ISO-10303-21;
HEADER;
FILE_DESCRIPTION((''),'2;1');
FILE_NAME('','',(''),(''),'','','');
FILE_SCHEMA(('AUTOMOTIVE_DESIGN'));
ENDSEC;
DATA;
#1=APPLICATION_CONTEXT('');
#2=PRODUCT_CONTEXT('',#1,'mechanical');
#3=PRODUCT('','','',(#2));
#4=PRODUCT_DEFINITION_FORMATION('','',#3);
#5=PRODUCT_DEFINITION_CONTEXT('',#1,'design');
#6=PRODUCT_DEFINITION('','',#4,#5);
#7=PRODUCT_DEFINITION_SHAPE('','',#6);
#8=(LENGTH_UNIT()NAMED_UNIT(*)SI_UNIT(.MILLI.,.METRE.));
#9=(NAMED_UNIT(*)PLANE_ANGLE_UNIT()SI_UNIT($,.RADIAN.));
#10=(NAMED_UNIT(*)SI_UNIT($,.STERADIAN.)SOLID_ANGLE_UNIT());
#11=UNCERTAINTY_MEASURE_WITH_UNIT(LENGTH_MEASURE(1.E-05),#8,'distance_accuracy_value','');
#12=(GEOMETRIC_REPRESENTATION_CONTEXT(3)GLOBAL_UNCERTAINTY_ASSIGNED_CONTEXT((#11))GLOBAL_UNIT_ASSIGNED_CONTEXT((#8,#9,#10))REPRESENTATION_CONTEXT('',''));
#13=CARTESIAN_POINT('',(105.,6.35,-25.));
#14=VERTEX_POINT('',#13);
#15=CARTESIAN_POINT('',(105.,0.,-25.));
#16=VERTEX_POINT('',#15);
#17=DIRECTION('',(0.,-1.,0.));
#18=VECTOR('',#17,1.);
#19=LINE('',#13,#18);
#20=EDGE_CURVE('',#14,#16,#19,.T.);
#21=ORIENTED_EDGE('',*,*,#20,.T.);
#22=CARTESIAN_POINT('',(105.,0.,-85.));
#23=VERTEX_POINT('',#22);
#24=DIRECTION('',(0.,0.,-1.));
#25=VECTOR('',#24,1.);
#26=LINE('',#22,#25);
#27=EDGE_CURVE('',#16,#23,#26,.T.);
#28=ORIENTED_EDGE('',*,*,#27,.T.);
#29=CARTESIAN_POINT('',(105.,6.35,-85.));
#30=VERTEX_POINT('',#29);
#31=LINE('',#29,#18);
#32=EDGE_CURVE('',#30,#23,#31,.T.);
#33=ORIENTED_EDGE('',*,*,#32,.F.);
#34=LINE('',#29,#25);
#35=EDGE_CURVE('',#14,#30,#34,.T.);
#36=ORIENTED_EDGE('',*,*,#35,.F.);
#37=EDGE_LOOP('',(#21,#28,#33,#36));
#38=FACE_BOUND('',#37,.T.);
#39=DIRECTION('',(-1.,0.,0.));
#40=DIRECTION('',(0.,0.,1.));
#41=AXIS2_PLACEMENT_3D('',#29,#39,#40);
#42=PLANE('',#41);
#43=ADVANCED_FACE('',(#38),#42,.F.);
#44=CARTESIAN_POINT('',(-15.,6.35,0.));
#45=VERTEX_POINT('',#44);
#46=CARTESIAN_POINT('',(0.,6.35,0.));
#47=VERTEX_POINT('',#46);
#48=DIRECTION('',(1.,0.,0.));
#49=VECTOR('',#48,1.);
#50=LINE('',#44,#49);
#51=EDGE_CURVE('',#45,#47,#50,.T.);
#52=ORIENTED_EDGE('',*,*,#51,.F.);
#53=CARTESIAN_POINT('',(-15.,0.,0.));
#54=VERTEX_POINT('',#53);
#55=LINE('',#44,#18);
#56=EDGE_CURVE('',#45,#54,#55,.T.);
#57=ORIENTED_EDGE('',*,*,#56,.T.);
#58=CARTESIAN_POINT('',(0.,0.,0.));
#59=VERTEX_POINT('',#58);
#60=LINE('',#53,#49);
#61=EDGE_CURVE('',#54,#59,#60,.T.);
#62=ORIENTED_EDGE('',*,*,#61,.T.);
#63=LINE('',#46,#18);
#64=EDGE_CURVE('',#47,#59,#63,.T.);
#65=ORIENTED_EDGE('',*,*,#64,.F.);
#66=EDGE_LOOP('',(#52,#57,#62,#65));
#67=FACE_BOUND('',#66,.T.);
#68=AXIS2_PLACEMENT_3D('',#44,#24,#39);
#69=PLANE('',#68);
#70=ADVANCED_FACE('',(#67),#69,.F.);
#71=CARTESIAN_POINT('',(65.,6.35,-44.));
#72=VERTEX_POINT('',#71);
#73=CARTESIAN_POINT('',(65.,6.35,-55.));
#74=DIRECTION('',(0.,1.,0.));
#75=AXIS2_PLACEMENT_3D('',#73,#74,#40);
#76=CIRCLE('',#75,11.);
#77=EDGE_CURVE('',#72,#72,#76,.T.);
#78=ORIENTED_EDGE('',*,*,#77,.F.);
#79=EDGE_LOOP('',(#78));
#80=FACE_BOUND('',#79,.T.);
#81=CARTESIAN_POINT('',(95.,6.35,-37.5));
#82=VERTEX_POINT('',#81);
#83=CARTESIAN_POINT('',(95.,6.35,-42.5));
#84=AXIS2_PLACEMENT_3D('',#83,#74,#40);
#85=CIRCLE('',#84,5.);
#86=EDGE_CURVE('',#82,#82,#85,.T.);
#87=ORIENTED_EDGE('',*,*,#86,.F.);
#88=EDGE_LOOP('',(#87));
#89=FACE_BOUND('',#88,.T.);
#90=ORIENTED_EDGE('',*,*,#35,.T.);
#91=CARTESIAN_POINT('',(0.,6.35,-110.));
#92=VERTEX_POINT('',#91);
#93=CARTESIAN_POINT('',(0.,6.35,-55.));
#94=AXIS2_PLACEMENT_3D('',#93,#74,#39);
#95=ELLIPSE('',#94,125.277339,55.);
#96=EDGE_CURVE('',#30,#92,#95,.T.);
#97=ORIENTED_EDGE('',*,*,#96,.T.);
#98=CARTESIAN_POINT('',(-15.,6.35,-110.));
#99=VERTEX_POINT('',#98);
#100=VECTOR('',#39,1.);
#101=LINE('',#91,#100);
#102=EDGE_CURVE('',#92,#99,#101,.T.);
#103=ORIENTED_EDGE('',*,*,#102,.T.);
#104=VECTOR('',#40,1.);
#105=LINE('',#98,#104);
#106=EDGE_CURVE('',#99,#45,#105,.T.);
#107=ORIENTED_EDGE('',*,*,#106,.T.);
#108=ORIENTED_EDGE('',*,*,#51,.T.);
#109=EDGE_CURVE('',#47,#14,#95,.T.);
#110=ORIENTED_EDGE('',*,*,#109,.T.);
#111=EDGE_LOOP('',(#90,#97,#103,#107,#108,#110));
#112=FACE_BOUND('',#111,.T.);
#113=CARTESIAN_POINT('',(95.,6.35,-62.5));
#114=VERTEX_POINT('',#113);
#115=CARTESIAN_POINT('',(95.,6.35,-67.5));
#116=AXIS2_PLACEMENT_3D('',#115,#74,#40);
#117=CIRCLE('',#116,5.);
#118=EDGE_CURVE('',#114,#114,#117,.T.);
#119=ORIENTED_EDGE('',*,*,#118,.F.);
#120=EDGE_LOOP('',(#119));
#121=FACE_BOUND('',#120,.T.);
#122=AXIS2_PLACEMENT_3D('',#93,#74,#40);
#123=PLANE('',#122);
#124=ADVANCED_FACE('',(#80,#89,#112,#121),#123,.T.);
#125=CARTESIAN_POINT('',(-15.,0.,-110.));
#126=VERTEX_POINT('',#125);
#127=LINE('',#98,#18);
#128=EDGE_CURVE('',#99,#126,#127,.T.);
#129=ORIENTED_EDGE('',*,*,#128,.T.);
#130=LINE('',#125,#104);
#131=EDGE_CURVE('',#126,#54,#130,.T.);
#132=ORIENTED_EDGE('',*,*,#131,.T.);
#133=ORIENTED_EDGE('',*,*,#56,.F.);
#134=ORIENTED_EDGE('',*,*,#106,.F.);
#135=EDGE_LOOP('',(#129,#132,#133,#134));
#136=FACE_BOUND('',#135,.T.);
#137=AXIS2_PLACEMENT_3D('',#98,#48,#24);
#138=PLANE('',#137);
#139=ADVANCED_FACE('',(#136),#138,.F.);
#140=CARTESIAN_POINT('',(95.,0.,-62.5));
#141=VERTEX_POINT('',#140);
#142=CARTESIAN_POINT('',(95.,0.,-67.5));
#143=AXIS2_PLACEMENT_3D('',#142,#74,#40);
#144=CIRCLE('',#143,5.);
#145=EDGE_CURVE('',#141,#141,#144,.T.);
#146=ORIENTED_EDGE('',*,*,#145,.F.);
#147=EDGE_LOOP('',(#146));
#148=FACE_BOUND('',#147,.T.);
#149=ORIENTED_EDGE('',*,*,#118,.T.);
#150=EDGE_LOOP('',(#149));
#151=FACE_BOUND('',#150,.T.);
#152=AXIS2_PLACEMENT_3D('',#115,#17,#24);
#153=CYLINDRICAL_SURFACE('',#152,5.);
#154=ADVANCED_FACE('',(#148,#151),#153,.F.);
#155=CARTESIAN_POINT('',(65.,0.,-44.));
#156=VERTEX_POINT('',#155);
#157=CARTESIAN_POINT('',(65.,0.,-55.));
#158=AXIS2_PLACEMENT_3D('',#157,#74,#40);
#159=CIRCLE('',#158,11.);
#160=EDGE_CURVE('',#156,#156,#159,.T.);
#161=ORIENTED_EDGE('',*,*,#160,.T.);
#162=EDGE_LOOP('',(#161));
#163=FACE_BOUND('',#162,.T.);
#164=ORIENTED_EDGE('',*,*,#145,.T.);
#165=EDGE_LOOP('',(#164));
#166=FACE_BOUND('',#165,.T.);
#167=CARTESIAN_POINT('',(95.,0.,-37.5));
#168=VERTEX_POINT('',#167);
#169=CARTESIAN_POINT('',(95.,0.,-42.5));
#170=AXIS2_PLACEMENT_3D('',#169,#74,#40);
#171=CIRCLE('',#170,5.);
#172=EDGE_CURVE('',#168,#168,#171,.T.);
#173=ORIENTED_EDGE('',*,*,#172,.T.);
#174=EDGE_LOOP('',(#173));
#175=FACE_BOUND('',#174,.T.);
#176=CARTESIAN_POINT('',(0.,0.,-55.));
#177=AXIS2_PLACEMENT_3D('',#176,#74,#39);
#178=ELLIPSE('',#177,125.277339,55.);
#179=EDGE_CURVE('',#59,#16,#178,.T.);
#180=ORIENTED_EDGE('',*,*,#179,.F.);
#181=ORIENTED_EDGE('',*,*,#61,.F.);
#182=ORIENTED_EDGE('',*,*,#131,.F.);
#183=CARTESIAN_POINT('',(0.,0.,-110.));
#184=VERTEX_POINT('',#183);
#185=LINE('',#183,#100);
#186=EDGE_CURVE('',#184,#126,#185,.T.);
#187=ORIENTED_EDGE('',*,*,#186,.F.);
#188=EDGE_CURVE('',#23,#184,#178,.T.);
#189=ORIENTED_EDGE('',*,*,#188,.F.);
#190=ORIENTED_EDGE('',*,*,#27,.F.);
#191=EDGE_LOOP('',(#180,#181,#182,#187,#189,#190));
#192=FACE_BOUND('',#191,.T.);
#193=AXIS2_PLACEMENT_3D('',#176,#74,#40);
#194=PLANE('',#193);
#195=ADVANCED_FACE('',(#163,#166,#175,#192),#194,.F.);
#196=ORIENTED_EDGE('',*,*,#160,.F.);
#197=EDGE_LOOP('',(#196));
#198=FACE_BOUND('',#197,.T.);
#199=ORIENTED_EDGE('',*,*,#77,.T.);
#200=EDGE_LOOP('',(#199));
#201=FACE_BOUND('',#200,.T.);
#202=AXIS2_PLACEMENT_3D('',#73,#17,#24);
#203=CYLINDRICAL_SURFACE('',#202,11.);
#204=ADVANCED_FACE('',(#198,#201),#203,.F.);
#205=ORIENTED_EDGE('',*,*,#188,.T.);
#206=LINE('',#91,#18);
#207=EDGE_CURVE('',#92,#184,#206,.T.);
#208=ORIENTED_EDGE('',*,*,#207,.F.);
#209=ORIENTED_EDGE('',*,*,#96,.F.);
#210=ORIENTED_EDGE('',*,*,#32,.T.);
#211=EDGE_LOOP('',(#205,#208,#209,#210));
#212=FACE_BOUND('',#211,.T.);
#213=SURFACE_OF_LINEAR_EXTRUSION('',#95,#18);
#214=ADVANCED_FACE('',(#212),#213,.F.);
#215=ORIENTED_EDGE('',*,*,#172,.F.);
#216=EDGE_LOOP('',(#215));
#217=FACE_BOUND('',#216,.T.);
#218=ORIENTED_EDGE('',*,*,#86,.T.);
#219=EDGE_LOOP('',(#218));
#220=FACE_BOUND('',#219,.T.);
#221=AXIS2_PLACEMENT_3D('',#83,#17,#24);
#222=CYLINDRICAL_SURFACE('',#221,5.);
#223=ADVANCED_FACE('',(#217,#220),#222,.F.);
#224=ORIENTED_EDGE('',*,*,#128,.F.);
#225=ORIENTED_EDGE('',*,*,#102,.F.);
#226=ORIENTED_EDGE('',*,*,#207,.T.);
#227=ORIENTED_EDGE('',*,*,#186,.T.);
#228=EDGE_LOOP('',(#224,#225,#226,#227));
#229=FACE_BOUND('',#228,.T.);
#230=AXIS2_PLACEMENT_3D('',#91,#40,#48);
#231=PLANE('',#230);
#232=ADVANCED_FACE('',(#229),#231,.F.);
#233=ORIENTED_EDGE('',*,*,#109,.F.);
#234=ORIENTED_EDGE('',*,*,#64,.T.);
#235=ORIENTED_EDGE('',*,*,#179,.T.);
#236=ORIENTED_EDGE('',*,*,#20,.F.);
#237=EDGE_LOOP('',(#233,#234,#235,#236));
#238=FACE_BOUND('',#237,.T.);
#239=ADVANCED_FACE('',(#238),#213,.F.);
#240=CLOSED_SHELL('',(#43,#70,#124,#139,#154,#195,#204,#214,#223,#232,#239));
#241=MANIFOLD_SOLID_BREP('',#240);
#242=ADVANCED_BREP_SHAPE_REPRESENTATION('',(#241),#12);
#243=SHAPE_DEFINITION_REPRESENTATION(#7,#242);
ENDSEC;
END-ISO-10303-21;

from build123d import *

# Parameters (mm, degrees)
BOSS_EXTRUDE1_DEPTH = 6.35
SKETCH2_R           = 5
CUT_EXTRUDE1_DEPTH  = 6.35
SKETCH3_R           = 11
CUT_EXTRUDE2_DEPTH  = 7.3500001
SKETCH4_W           = 15
SKETCH4_H           = 110
BOSS_EXTRUDE3_DEPTH = 6.35


with BuildPart() as part:
    # Sketch1 → Boss-Extrude1 (new body)
    with BuildSketch(Plane(origin=(0, 0, 0), x_dir=(1, 0, 0), z_dir=(0, 1, 0))):
        with BuildLine():
            Line((0, 110), (0, 0))
            add(Edge.make_bspline(
                [(0, 0), (67.941176471, 0), (105, 25)],
                knots=[1.570796327, 1.570796327, 1.570796327, 2.564661308, 2.564661308, 2.564661308], degree=2, weights=[1, 0.879049073, 1]))
            Line((105, 25), (105, 85))
            add(Edge.make_bspline(
                [(105, 85), (67.941176471, 110), (0, 110)],
                knots=[3.718523999, 3.718523999, 3.718523999, 4.71238898, 4.71238898, 4.71238898], degree=2, weights=[1, 0.879049073, 1]))
        make_face()
    extrude(amount=BOSS_EXTRUDE1_DEPTH)

    # Sketch2 → Cut-Extrude1 (cut)
    with BuildSketch(Plane(origin=(0, 0, 0), x_dir=(1, 0, 0), z_dir=(0, 1, 0))):
        with Locations((95, 67.5)):
            Circle(SKETCH2_R)
        with Locations((95, 42.5)):
            Circle(SKETCH2_R)
    extrude(amount=CUT_EXTRUDE1_DEPTH, mode=Mode.SUBTRACT)

    # Sketch3 → Cut-Extrude2 (cut, through all)
    with BuildSketch(Plane(origin=(0, 0, 0), x_dir=(1, 0, 0), z_dir=(0, 1, 0))):
        with Locations((65, 55)):
            Circle(SKETCH3_R)
    extrude(amount=CUT_EXTRUDE2_DEPTH, mode=Mode.SUBTRACT)

    # Sketch4 → Boss-Extrude3 (add)
    with BuildSketch(Plane(origin=(0, 0, 0), x_dir=(1, 0, 0), z_dir=(0, 1, 0))):
        with Locations((-7.5, 55)):
            Rectangle(SKETCH4_W, SKETCH4_H)
    extrude(amount=BOSS_EXTRUDE3_DEPTH)


solid = part.part
